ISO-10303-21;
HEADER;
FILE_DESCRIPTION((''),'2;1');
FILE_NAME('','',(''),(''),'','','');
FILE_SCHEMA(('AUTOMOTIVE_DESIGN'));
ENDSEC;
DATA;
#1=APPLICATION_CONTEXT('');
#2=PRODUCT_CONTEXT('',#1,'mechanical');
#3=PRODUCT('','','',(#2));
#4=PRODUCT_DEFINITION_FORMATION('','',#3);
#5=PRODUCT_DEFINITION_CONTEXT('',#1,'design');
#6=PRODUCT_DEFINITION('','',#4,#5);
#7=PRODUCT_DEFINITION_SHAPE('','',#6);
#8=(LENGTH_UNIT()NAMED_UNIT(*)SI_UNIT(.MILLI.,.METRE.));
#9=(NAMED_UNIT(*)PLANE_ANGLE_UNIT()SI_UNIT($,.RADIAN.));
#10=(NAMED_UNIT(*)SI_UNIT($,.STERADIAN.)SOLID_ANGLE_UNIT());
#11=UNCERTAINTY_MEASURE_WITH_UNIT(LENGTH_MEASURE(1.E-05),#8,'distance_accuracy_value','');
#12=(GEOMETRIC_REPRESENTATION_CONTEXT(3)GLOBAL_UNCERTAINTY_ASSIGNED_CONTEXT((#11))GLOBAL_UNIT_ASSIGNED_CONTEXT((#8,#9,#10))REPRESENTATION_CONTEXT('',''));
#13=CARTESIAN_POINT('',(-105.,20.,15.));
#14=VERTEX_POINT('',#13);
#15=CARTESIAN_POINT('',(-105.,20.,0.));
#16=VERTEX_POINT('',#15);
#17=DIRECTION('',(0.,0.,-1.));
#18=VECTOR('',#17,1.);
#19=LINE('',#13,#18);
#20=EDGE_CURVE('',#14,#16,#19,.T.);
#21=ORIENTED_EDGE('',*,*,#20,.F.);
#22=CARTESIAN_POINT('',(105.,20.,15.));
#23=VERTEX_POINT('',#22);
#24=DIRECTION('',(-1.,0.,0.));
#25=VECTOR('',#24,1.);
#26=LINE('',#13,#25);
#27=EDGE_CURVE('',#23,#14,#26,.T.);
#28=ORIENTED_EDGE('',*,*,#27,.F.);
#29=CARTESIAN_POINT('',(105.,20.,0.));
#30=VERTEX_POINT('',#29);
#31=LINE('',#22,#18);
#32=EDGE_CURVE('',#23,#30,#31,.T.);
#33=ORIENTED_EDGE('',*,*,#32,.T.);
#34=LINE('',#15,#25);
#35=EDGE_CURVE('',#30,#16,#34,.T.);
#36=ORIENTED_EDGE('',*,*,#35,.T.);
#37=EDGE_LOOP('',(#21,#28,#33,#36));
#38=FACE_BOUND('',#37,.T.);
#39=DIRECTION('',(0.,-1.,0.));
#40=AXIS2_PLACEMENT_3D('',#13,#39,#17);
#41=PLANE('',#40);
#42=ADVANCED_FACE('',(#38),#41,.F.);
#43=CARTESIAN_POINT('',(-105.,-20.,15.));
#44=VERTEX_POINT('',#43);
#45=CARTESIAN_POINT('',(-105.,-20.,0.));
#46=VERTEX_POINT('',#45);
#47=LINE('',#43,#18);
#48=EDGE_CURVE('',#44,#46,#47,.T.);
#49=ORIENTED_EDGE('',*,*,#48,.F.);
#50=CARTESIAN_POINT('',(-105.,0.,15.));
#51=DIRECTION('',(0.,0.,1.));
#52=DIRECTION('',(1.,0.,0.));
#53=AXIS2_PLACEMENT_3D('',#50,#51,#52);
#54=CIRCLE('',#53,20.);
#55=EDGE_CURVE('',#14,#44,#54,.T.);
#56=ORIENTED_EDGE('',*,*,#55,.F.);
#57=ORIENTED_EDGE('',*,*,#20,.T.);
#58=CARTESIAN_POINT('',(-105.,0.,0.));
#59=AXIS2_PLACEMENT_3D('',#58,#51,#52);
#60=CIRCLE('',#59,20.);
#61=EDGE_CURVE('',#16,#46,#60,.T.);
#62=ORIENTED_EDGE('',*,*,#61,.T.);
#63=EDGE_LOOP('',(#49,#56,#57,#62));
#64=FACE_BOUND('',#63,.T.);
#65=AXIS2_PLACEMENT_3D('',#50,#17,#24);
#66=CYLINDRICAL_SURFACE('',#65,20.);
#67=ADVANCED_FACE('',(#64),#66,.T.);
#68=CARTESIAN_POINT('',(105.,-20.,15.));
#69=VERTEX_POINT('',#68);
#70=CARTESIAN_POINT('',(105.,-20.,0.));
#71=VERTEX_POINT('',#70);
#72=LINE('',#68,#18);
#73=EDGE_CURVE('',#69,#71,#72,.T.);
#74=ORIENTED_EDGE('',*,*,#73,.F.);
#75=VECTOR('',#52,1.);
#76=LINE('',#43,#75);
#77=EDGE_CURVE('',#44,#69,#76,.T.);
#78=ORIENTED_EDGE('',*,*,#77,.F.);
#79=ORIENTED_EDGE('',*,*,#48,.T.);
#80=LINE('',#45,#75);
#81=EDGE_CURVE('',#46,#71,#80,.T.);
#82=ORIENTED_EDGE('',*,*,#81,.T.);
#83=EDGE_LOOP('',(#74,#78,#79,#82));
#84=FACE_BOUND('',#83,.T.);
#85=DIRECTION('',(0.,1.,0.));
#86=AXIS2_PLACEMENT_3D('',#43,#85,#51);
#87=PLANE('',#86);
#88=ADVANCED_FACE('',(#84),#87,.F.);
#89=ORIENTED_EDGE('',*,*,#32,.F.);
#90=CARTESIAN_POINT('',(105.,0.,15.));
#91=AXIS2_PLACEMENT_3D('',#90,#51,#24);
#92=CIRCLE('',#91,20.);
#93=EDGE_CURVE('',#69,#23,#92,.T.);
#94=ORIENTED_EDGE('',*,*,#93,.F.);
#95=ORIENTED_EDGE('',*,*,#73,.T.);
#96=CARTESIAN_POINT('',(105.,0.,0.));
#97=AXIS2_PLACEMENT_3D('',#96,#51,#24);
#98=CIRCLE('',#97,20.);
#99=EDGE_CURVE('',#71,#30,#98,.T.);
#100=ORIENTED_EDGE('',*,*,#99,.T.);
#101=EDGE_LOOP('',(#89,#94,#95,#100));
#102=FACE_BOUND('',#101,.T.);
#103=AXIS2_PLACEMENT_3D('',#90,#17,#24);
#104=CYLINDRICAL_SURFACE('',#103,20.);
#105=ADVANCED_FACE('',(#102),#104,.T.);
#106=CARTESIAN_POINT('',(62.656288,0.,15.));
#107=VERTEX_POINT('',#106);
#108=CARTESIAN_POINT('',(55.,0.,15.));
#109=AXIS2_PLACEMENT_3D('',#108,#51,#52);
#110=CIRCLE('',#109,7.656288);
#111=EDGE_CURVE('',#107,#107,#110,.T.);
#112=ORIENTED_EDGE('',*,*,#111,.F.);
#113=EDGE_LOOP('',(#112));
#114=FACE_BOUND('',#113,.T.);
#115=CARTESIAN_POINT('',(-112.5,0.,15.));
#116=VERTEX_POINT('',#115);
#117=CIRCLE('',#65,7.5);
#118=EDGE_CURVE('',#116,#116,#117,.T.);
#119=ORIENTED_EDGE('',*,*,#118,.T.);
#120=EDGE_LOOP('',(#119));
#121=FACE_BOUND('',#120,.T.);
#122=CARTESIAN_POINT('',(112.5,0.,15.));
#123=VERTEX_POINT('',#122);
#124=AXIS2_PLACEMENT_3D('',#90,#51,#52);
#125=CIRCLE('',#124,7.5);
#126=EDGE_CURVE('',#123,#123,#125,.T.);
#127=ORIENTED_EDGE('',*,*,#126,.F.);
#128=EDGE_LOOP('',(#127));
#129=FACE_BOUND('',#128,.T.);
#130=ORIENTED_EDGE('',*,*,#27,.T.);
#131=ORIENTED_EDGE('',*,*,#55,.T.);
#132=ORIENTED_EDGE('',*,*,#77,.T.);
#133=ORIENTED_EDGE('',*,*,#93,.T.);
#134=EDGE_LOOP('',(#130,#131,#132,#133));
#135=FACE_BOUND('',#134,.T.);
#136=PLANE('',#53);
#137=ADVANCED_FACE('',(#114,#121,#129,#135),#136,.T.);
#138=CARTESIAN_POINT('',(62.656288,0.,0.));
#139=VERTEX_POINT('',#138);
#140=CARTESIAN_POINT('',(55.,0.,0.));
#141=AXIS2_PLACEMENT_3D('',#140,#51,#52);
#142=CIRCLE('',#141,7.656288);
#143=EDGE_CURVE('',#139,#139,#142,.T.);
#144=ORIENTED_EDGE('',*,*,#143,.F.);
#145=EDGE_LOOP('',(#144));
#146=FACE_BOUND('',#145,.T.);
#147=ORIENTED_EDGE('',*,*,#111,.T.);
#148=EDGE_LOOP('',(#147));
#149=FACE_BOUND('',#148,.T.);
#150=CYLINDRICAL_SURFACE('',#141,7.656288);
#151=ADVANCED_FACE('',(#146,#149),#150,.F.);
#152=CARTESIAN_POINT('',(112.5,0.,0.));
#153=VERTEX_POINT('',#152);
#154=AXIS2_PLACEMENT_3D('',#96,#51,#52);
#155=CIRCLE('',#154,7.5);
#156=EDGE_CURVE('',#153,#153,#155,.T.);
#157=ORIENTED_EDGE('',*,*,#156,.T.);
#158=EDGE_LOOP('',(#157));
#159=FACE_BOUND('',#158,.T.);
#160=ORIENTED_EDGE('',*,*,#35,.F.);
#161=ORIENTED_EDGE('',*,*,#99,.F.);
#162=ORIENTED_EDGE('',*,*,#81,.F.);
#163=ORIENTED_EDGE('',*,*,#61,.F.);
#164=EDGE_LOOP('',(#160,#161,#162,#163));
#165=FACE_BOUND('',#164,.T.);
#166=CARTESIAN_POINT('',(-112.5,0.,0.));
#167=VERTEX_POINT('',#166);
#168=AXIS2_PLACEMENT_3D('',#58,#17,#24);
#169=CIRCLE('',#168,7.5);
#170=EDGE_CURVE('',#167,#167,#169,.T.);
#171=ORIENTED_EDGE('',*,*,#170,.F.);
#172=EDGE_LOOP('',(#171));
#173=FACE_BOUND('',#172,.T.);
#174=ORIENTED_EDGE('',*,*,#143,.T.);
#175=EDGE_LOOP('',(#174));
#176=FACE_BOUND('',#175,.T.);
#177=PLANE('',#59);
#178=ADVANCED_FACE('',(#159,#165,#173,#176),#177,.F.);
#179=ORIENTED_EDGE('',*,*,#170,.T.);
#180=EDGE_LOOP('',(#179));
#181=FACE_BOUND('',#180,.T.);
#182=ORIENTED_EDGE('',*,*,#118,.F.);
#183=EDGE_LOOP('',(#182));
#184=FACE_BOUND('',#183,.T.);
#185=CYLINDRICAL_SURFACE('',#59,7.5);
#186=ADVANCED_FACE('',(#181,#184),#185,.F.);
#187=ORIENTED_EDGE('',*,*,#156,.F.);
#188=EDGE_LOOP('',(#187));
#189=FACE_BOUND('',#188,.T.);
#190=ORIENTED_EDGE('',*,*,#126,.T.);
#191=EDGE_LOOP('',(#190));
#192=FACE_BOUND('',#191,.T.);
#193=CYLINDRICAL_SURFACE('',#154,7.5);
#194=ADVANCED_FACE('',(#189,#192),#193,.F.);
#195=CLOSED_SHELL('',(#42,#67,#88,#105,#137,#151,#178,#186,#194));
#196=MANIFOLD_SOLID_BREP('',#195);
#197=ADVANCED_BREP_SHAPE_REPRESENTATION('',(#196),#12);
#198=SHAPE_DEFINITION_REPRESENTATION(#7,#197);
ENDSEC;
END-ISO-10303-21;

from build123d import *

# Parameters (mm, degrees)
BOSS_EXTRUDE1_DEPTH = 15
SKETCH4_R           = 7.5
CUT_EXTRUDE1_DEPTH  = 128.47548784
SKETCH5_R           = 7.656287761
CUT_EXTRUDE2_DEPTH  = 128.47548784


with BuildPart() as part:
    # Sketch1 → Boss-Extrude1 (new body)
    with BuildSketch(Plane.XY):
        with BuildLine():
            Line((-105, -20), (105, -20))
            ThreePointArc((105, -20), (125, 0), (105, 20))
            Line((105, 20), (-105, 20))
            ThreePointArc((-105, 20), (-125, 0), (-105, -20))
        make_face()
    extrude(amount=BOSS_EXTRUDE1_DEPTH)

    # Sketch4 → Cut-Extrude1 (cut, through all)
    with BuildSketch(Plane.XY.offset(15)):
        with Locations((105, 0)):
            Circle(SKETCH4_R)
    cut_extrude1 = extrude(amount=-CUT_EXTRUDE1_DEPTH, mode=Mode.SUBTRACT)

    # Mirror1: Cut-Extrude1 across plane
    add(cut_extrude1.mirror(Plane(origin=(0, 0, 0), x_dir=(0, 0, 1), z_dir=(1, 0, 0))), mode=Mode.SUBTRACT)

    # Sketch5 → Cut-Extrude2 (cut, through all)
    with BuildSketch(Plane.XY.offset(15)):
        with Locations((55, 0)):
            Circle(SKETCH5_R)
    extrude(amount=-CUT_EXTRUDE2_DEPTH, mode=Mode.SUBTRACT)


solid = part.part
